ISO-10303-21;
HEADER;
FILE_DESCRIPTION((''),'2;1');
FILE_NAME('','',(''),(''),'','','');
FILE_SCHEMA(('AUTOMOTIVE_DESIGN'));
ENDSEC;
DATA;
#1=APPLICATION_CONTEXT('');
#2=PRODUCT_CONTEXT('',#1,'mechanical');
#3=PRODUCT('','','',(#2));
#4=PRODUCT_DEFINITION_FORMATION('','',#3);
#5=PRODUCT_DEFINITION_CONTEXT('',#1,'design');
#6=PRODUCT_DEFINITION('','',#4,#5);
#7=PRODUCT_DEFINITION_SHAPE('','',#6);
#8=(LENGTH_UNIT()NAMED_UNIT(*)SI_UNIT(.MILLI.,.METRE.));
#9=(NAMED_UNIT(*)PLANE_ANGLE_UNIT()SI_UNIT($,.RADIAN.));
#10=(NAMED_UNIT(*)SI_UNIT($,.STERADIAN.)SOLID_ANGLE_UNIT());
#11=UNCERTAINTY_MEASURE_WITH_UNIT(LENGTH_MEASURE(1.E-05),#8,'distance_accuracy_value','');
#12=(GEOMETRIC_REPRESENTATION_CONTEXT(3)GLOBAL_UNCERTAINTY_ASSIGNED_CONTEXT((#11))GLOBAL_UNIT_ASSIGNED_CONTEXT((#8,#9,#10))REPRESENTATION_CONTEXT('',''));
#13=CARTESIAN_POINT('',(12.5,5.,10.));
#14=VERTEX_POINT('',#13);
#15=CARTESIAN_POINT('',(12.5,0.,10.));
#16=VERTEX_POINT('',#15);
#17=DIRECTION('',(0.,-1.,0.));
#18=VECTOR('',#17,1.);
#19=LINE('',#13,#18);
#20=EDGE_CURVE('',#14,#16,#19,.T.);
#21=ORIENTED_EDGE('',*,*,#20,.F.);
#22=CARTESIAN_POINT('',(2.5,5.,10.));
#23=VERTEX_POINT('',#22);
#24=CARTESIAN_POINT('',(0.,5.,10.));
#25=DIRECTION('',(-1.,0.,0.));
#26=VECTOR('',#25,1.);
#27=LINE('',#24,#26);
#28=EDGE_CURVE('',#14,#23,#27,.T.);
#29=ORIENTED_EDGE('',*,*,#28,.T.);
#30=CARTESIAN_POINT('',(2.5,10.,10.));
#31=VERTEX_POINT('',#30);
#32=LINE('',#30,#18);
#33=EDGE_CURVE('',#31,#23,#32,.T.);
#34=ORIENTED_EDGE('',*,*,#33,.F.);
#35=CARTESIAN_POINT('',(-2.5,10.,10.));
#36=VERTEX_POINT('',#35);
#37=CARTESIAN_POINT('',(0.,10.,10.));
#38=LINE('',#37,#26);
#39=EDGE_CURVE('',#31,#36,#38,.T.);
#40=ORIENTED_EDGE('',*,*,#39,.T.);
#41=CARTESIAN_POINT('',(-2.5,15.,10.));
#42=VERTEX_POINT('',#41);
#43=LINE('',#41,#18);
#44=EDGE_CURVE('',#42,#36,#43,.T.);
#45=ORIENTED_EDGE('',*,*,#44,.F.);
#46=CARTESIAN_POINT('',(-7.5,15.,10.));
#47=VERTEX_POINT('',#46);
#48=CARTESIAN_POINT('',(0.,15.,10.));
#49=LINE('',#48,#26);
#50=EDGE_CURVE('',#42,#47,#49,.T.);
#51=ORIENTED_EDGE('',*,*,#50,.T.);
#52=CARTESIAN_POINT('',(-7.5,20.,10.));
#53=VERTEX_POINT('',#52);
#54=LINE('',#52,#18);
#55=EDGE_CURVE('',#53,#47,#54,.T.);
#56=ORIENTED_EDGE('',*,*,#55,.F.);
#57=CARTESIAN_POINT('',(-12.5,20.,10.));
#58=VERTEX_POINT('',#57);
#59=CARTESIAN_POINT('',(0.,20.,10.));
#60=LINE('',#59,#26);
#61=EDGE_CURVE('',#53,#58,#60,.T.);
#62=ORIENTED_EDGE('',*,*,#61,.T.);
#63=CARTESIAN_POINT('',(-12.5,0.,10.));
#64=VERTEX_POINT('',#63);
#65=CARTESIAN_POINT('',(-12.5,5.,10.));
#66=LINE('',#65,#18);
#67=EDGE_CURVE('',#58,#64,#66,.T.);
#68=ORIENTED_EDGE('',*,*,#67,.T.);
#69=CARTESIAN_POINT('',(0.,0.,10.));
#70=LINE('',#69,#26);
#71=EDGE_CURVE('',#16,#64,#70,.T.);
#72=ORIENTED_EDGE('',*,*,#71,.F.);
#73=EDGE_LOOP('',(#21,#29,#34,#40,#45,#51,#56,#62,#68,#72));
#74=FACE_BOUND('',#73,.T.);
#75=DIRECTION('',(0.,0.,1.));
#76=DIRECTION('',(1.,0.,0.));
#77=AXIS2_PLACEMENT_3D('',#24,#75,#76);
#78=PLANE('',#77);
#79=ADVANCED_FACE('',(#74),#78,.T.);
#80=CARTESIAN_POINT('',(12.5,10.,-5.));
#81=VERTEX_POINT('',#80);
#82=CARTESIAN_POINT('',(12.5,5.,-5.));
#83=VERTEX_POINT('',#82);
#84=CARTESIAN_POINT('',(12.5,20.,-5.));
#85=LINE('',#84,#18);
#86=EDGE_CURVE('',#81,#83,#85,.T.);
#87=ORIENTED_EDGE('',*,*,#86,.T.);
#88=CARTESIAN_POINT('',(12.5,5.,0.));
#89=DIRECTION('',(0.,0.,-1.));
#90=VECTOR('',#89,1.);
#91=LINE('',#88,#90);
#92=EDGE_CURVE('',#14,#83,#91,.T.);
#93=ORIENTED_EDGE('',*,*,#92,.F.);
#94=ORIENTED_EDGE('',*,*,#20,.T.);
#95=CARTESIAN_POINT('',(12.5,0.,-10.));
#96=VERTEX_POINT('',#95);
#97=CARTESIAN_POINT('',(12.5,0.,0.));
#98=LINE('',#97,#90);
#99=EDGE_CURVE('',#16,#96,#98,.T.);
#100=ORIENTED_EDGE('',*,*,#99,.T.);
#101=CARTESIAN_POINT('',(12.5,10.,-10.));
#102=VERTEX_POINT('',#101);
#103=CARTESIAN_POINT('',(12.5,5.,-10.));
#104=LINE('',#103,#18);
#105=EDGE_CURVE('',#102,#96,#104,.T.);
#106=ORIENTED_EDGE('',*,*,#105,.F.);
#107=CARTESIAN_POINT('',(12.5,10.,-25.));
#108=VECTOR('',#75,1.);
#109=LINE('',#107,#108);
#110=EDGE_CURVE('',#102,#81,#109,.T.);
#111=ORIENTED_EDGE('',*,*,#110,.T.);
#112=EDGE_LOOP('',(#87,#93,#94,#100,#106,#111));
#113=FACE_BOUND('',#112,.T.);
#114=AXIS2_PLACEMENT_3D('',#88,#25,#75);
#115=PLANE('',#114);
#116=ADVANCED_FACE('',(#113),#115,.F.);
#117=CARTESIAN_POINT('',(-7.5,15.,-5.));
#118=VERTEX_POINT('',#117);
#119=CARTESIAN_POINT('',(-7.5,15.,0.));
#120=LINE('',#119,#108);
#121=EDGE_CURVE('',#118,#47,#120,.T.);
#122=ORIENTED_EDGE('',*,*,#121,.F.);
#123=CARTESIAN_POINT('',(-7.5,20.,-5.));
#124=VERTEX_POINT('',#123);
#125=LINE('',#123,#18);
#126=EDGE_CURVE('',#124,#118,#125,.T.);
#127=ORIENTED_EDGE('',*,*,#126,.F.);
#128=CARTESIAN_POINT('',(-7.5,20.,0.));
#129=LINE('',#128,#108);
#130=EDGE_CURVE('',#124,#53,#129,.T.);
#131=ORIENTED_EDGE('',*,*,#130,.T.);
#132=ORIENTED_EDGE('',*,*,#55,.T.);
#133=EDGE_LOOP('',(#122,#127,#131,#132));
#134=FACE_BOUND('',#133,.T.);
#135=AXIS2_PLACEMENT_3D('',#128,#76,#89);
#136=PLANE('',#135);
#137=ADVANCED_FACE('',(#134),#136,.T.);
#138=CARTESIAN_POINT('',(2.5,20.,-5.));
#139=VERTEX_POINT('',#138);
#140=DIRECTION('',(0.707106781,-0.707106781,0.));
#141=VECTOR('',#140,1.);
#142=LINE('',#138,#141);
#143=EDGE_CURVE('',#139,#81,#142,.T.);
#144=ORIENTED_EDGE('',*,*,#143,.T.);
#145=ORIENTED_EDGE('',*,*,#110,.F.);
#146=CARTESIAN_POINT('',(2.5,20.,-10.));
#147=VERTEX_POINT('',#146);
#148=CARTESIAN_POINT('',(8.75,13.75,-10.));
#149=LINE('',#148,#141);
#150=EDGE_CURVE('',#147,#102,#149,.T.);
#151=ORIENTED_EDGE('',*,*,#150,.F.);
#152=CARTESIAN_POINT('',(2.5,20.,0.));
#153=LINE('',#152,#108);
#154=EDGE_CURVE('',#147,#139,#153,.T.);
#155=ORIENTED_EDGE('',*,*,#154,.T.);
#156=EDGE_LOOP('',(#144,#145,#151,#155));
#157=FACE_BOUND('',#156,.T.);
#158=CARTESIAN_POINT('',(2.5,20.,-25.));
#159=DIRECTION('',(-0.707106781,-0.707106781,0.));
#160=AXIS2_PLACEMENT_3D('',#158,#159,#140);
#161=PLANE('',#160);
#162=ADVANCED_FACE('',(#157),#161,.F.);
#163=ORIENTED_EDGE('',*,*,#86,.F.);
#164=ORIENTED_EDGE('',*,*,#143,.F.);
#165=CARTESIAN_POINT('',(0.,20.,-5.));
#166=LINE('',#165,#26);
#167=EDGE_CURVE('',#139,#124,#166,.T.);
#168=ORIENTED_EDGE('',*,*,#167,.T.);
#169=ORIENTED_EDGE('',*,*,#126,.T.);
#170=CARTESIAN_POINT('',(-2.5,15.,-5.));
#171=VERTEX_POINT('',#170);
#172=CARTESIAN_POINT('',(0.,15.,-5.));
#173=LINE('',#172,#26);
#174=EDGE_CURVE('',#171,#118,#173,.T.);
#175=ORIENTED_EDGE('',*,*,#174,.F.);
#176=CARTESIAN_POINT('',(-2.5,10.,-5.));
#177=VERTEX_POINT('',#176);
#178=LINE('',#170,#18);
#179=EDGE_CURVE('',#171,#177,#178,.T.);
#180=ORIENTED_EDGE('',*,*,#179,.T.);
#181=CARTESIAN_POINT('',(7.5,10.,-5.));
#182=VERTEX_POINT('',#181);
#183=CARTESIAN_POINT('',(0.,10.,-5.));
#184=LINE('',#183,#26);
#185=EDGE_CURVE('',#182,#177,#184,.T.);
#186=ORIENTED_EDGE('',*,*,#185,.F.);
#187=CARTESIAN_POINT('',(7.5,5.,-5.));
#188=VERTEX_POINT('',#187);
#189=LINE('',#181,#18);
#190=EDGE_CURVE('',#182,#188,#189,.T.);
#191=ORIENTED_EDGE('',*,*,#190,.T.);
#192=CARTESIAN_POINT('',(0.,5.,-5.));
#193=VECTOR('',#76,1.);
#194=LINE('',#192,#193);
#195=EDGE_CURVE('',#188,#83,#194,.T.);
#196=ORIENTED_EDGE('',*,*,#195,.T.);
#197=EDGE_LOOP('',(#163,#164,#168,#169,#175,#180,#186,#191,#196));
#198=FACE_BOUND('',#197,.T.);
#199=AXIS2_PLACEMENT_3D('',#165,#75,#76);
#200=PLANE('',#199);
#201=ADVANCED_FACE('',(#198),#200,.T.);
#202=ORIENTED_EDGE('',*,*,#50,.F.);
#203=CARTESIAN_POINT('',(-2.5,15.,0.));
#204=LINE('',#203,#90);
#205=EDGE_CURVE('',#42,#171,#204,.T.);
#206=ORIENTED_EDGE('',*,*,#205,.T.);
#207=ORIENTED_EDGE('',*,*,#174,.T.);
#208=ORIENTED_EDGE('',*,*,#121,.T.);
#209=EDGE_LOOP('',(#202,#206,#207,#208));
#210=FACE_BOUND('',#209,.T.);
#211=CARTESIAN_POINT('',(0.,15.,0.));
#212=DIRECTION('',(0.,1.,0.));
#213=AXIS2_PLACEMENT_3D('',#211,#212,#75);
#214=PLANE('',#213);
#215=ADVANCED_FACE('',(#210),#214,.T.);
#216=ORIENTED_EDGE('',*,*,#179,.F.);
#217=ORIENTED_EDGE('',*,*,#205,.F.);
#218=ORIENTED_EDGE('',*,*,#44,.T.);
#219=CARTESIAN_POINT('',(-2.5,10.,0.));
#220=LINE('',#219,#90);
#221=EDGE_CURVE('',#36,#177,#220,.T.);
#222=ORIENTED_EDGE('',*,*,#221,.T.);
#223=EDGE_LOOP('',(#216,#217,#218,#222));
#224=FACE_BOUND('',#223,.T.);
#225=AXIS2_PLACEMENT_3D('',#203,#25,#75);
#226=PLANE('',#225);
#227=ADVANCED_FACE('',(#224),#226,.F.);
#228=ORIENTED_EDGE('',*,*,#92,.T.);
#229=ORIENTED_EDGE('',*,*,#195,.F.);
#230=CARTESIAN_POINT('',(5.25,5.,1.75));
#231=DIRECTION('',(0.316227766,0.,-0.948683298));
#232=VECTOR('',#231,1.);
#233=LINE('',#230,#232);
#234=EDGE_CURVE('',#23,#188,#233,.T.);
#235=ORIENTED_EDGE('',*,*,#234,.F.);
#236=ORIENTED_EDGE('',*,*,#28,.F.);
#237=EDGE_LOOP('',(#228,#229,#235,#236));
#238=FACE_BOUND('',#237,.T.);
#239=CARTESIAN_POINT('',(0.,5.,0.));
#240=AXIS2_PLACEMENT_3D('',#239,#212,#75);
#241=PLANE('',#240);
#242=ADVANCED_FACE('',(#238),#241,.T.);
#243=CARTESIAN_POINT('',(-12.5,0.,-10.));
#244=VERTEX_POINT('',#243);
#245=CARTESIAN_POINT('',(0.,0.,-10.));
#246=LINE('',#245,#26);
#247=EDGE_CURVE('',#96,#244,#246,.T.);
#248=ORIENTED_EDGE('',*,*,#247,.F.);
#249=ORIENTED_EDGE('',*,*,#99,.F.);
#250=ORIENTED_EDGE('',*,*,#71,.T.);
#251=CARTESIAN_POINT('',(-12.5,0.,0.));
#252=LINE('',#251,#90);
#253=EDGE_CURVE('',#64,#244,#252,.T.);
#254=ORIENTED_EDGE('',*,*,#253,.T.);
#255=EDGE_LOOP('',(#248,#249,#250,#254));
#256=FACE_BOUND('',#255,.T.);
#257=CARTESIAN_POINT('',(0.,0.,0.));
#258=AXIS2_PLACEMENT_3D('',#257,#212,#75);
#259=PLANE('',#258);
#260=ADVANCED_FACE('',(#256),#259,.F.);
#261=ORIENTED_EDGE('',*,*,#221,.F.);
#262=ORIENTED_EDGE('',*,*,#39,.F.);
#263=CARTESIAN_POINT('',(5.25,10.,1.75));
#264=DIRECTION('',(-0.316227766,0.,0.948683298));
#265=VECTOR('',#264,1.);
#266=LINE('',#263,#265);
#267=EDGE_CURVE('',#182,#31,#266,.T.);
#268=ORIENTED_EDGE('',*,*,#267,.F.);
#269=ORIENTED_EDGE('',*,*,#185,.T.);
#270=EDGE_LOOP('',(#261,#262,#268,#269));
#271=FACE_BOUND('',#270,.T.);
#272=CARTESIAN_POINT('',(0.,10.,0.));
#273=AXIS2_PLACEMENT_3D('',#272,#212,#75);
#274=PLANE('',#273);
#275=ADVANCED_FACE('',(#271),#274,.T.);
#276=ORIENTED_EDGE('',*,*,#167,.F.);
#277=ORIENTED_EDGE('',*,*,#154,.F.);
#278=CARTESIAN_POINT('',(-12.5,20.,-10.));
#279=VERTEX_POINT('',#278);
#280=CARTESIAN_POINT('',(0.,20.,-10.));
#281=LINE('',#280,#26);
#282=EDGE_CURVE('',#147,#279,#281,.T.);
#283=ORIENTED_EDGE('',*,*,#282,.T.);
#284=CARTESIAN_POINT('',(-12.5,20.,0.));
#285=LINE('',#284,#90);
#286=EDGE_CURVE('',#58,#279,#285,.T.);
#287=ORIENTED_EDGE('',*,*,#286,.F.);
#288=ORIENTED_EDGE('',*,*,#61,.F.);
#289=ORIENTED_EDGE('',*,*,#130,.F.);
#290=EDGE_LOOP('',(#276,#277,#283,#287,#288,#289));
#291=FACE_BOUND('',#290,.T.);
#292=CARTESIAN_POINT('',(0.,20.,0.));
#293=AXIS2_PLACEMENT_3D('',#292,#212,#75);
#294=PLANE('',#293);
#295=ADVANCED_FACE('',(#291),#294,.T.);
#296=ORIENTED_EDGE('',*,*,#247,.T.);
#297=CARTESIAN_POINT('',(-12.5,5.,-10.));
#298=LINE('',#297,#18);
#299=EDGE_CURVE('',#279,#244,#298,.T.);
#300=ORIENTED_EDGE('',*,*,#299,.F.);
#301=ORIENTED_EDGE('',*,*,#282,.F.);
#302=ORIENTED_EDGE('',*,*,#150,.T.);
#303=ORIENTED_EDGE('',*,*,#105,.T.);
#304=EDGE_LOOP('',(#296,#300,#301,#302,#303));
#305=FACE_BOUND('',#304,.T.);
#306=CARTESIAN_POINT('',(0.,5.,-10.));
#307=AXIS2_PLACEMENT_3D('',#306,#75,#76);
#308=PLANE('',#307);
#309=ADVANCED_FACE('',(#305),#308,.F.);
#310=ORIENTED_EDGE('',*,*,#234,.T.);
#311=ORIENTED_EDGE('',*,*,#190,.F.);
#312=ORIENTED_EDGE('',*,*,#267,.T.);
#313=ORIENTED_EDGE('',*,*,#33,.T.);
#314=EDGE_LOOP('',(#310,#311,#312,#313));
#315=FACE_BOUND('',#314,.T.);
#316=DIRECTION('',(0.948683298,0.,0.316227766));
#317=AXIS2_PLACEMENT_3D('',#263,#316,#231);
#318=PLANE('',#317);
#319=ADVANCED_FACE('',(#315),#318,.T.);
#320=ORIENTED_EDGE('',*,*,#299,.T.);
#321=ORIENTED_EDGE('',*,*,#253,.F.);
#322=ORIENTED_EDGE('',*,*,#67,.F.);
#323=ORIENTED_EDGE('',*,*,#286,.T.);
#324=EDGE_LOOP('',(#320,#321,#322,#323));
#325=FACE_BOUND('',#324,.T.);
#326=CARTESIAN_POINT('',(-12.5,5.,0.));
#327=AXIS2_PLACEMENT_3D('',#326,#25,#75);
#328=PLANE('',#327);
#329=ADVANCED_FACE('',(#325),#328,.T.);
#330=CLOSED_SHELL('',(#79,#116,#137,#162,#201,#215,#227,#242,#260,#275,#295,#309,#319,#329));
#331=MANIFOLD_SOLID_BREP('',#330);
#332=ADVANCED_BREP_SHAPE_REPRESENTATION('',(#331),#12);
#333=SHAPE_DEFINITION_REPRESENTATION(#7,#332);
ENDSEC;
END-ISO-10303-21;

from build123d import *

# Parameters (mm, degrees)
SKETCH_1_W          = 25
SKETCH_1_H          = 20
EXTRUDE_1_DEPTH     = 5
EXTRUDE_2_DEPTH     = 10
SKETCH_1_4_W        = 5
SKETCH_1_4_H        = 15
EXTRUDE_3_DEPTH     = 15
EXTRUDE_4_DEPTH     = 20
CUT_EXTRUDE_1_DEPTH = 20


with BuildPart() as part:
    # 草圖1 → 填料-伸長1 (new body)
    with BuildSketch(Plane(origin=(0, 0, 0), x_dir=(1, 0, 0), z_dir=(0, 1, 0))):
        Rectangle(SKETCH_1_W, SKETCH_1_H)
    extrude(amount=EXTRUDE_1_DEPTH)

    # 草圖1<3> → 填料-伸長2 (add)
    with BuildSketch(Plane(origin=(0, 0, 0), x_dir=(1, 0, 0), z_dir=(0, 1, 0))):
        Polygon((2.5, -10), (7.5, 5), (-2.5, 5), (-2.5, -10), align=None)
    extrude(amount=EXTRUDE_2_DEPTH)

    # 草圖1<4> → 填料-伸長3 (add)
    with BuildSketch(Plane(origin=(0, 0, 0), x_dir=(1, 0, 0), z_dir=(0, 1, 0))):
        with Locations((-5, -2.5)):
            Rectangle(SKETCH_1_4_W, SKETCH_1_4_H)
    extrude(amount=EXTRUDE_3_DEPTH)

    # 草圖1<5> → 填料-伸長4 (add)
    with BuildSketch(Plane(origin=(0, 0, 0), x_dir=(1, 0, 0), z_dir=(0, 1, 0))):
        Polygon((7.5, 5), (12.5, 5), (12.5, 10), (-12.5, 10), (-12.5, -10), (-7.5, -10), (-7.5, 5), (-2.5, 5), align=None)
    extrude(amount=EXTRUDE_4_DEPTH)

    # 草圖2 → 除料-伸長1 (cut)
    with BuildSketch(Plane.XY.offset(-5)):
        Polygon((12.5, 20), (2.5, 20), (12.5, 10), align=None)
    extrude(amount=-CUT_EXTRUDE_1_DEPTH, mode=Mode.SUBTRACT)


solid = part.part
